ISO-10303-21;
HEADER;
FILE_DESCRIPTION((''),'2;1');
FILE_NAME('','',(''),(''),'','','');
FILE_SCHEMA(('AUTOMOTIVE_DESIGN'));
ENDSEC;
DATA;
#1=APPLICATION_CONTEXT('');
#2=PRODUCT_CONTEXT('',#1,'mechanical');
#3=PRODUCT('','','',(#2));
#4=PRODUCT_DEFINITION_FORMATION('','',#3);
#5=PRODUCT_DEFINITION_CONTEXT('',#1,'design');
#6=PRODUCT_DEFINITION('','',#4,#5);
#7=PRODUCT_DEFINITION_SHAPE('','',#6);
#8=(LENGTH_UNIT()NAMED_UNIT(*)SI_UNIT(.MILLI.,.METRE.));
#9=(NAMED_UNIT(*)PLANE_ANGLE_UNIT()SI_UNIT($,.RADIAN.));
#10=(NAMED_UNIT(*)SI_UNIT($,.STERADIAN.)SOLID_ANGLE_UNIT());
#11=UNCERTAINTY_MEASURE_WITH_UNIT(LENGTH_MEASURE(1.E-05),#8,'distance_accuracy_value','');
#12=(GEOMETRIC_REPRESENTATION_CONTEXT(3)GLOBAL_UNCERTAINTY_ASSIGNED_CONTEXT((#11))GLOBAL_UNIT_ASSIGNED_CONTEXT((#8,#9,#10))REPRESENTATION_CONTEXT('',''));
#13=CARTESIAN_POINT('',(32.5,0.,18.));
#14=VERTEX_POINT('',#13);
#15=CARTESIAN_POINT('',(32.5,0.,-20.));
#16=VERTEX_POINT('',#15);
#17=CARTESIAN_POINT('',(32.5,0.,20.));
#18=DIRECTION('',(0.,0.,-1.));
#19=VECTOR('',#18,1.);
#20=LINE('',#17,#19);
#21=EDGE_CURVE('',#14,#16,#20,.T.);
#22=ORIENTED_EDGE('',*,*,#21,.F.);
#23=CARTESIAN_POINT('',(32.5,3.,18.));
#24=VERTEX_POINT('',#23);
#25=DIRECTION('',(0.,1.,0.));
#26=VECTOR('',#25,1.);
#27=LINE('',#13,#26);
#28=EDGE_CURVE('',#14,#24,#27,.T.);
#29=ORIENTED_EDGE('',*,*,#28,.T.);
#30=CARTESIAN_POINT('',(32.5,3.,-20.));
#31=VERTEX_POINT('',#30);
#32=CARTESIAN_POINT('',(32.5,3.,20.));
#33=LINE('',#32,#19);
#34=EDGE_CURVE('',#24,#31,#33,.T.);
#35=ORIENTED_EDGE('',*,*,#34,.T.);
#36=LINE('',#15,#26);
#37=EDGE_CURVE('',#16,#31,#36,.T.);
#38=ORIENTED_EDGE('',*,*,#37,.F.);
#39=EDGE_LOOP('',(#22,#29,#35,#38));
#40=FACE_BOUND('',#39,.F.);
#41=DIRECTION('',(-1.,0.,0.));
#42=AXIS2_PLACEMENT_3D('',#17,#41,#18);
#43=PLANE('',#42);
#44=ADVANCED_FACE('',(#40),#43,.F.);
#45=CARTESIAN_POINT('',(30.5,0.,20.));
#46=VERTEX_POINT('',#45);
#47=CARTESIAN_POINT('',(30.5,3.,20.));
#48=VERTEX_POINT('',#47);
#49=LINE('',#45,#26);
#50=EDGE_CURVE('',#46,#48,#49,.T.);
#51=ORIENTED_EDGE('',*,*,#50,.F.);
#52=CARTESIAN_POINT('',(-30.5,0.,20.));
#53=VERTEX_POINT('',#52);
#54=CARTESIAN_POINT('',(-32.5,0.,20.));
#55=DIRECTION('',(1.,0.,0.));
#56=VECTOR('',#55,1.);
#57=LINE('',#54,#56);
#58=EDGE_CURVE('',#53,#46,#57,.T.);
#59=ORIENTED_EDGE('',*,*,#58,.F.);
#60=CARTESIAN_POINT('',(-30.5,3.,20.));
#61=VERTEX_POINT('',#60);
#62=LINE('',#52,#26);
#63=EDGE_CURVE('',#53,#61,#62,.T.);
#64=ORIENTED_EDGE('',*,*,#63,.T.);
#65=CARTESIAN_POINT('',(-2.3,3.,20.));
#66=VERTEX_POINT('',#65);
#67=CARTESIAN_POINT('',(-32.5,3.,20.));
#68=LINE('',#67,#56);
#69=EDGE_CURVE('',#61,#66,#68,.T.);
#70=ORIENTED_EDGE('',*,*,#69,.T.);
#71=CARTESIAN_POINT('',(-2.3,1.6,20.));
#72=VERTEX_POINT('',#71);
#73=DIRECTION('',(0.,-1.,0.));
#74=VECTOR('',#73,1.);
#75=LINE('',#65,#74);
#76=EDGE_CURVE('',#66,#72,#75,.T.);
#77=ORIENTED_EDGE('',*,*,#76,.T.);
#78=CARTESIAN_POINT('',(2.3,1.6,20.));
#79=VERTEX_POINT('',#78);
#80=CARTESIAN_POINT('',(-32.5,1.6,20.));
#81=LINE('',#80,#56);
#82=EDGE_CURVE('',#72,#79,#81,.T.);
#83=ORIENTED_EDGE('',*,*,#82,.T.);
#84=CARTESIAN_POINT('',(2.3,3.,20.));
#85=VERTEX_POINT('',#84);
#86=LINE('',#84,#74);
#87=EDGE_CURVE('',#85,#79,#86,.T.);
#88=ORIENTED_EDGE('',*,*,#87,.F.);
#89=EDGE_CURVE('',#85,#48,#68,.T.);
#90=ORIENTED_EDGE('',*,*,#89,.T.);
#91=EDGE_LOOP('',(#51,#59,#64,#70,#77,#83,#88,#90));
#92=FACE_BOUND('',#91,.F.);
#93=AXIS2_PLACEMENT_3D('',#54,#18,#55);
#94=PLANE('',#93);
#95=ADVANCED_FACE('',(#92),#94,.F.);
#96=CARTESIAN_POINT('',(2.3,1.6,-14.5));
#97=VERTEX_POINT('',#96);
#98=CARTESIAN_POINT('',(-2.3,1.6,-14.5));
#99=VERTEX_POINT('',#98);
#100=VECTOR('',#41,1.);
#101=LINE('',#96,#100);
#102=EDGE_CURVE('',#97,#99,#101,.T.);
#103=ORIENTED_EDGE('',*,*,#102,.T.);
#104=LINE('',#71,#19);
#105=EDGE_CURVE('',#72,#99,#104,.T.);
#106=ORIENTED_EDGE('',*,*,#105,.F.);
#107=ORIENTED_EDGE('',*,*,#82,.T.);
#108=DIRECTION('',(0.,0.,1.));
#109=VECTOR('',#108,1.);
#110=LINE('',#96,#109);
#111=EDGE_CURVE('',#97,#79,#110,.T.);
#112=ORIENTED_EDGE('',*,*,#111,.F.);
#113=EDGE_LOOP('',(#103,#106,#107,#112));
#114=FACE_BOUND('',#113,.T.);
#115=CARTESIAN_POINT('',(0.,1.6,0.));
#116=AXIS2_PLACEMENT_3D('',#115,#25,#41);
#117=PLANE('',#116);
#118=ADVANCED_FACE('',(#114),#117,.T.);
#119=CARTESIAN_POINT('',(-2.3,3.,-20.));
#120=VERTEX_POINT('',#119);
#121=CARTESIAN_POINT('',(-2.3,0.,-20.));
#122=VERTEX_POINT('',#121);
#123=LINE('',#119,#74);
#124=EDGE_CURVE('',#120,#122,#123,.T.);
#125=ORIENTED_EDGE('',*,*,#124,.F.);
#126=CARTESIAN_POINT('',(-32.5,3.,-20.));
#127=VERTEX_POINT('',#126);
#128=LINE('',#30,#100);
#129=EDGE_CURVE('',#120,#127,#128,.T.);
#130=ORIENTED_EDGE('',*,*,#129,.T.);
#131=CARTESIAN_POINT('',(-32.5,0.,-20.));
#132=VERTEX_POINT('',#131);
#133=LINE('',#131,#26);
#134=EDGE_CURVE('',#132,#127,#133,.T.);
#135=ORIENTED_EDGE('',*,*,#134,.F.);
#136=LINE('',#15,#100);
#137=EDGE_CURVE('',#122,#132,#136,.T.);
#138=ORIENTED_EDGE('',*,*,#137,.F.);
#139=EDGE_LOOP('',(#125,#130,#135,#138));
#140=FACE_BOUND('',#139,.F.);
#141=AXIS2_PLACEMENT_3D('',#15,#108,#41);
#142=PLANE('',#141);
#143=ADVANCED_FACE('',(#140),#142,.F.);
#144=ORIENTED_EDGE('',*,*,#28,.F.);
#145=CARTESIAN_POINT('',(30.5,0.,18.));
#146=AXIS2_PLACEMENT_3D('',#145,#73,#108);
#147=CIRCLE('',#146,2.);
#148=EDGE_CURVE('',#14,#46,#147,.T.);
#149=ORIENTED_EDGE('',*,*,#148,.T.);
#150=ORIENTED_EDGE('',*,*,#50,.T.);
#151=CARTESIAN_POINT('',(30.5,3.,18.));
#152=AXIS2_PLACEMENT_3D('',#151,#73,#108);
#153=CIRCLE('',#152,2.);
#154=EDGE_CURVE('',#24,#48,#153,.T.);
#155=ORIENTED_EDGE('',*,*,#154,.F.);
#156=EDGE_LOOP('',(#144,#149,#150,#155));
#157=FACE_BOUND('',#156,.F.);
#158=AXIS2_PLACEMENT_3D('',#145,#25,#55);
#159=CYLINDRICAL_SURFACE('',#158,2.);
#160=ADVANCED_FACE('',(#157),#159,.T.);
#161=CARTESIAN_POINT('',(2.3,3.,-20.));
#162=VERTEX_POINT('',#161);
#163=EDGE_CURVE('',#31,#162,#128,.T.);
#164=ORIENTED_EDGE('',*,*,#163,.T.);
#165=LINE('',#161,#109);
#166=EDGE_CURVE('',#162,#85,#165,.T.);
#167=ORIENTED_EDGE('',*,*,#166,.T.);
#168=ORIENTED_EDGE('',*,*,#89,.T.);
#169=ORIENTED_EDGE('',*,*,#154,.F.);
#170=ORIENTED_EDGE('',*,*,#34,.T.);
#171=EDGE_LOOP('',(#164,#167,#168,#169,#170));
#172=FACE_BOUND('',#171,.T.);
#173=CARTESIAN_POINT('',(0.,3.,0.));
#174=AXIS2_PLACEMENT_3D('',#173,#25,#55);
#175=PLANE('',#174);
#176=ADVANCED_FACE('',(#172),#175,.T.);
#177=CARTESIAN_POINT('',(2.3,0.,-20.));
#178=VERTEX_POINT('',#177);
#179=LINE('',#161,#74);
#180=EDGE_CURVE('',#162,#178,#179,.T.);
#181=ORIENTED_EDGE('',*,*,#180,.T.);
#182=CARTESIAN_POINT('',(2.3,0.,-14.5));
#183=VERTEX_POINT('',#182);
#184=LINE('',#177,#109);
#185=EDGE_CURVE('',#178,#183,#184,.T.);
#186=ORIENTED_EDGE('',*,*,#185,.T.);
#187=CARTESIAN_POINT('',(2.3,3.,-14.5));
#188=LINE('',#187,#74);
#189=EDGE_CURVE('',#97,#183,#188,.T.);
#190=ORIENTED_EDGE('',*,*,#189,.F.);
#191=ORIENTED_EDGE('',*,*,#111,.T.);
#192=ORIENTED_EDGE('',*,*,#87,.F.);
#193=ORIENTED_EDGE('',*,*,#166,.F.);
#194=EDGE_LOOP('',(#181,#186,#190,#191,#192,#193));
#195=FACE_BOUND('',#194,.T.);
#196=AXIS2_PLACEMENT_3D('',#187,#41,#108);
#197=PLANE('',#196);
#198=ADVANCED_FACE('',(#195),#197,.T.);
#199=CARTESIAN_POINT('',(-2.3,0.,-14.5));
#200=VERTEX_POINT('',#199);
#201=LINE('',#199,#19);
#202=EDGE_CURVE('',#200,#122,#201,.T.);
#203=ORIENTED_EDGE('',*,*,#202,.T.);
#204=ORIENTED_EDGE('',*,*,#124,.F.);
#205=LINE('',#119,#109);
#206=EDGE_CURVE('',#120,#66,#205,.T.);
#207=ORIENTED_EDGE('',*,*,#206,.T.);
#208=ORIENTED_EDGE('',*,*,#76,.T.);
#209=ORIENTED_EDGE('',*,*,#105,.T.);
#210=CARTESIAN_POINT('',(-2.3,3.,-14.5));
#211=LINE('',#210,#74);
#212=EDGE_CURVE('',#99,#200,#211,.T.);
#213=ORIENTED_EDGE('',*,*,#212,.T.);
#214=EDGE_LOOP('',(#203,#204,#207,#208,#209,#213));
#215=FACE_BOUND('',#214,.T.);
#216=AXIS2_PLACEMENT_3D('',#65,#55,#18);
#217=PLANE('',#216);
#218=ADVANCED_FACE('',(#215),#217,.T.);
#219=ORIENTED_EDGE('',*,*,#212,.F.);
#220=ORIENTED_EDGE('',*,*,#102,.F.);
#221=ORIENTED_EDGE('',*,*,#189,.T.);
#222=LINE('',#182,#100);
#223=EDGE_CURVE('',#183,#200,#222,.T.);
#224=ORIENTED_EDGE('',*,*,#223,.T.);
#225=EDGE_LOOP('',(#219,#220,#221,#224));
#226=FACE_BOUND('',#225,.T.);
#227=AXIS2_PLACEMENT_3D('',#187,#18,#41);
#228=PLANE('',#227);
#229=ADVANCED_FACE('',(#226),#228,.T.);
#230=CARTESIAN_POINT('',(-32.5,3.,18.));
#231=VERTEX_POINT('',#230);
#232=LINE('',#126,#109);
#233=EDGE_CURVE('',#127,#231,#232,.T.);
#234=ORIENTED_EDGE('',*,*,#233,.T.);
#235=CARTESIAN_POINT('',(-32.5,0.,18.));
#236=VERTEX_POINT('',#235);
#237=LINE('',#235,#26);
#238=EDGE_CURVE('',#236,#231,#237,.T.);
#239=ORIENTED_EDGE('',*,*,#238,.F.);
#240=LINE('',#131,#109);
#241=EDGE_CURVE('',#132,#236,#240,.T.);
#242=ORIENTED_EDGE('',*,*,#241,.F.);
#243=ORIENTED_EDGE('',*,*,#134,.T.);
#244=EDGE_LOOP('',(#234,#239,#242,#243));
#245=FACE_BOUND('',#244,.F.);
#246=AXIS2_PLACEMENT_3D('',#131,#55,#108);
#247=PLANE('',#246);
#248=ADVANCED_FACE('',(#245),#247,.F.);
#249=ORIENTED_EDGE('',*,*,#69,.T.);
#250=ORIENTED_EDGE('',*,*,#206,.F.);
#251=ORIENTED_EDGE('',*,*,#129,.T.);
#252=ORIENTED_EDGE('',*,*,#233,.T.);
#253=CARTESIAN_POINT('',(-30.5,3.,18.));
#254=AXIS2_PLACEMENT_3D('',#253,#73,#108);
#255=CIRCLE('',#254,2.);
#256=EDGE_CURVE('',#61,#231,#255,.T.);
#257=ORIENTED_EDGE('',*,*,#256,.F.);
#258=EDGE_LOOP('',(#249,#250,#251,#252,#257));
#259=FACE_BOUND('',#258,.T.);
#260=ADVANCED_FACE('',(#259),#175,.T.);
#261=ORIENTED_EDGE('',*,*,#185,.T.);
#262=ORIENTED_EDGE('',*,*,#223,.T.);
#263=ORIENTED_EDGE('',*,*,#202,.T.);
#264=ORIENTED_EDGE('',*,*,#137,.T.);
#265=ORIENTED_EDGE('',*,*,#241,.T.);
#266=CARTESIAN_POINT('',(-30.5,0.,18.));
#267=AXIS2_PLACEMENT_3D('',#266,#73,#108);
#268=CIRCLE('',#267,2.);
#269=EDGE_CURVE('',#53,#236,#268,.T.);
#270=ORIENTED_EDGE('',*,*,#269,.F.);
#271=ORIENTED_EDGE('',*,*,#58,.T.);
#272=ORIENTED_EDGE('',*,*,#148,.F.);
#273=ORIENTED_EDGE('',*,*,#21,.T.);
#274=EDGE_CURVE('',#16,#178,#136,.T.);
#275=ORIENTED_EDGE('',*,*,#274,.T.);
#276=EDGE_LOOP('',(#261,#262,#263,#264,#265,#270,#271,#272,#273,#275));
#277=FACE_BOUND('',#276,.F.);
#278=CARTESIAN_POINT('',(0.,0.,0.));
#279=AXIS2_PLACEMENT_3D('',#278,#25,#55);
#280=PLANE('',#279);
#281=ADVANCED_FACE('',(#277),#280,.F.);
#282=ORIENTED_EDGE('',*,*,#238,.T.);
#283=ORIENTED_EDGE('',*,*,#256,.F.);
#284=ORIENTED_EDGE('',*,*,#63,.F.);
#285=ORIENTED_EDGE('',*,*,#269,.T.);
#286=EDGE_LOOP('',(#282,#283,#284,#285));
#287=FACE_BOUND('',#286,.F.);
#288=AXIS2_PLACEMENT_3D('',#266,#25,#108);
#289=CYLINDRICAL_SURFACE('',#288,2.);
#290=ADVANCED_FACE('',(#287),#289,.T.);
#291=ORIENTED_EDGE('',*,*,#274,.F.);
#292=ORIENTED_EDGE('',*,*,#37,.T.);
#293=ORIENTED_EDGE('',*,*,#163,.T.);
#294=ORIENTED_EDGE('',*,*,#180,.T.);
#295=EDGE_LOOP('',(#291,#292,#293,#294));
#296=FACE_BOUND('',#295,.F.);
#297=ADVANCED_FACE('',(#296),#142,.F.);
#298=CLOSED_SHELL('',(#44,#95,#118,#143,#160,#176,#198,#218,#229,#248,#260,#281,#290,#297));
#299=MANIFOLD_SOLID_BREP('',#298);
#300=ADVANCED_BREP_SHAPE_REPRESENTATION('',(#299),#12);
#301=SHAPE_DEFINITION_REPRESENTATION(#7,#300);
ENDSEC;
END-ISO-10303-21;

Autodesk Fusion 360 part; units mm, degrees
sketch "Skizze1" plane through (0, 0, 0) normal (0, 1, 0) x (1, 0, 0)
  line L0 (32.5, 20) -> (-32.5, 20)
  line L1 (-32.5, 20) -> (-32.5, -20)
  line L2 (-32.5, -20) -> (32.5, -20)
  line L3 (32.5, -20) -> (32.5, 20)
  line L4 (32.5, 20) -> (-32.5, -20) construction
  line L5 (-32.5, 20) -> (32.5, -20) construction
  dimension "d1" = 40
  dimension "d2" = 65
extrude "Extrusion1" add sketch "Skizze1" along normal blind 3
sketch "Skizze2" plane through (0, 3, 0) normal (0, 1, 0) x (-1, 0, 0)
  line L0 (-32.5, 20) -> (-32.5, -20)
  line L1 (-32.5, -20) -> (32.5, -20)
  line L2 (32.5, -20) -> (32.5, 20)
  line L3 (32.5, 20) -> (-32.5, 20)
  line L4 (2.3, -20) -> (-2.3, -20)
  line L5 (-2.3, -20) -> (-2.3, -14.5)
  line L6 (-2.3, -14.5) -> (2.3, -14.5)
  line L7 (2.3, -14.5) -> (2.3, -20)
  line L8 (2.3, -20) -> (-2.3, -14.5) construction
  line L9 (-2.3, -20) -> (2.3, -14.5) construction
  point P0 (0, -17.25)
  dimension "d5" = 4.6
  dimension "d6" = 5.5
extrude "Extrusion2" cut sketch "Skizze2" against normal blind 3 contours L1 L4 L5 L6 L7
sketch "Skizze3" plane through (0, 3, 0) normal (0, 1, 0) x (-1, 0, 0)
  line L0 (2.3, -14.5) -> (2.3, -20)
  line L1 (2.3, -20) -> (32.5, -20)
  line L2 (32.5, -20) -> (32.5, 20)
  line L3 (32.5, 20) -> (-32.5, 20)
  line L4 (-32.5, 20) -> (-32.5, -20)
  line L5 (-32.5, -20) -> (-2.3, -20)
  line L6 (-2.3, -20) -> (-2.3, -14.5)
  line L7 (-2.3, -14.5) -> (2.3, -14.5)
  line L8 (2.3, -14.5) -> (-2.3, -14.5)
  line L9 (-2.3, -14.5) -> (-2.3, 20)
  line L10 (-2.3, 20) -> (2.3, 20)
  line L11 (2.3, 20) -> (2.3, -14.5)
extrude "Extrusion3" cut sketch "Skizze3" against normal blind 1.4 contours L3 L7 L8 L9 L10 L11
fillet "Abrundung1" radius 2 2 edges at (-32.5, 1.5, 20) (32.5, 1.5, 20)
